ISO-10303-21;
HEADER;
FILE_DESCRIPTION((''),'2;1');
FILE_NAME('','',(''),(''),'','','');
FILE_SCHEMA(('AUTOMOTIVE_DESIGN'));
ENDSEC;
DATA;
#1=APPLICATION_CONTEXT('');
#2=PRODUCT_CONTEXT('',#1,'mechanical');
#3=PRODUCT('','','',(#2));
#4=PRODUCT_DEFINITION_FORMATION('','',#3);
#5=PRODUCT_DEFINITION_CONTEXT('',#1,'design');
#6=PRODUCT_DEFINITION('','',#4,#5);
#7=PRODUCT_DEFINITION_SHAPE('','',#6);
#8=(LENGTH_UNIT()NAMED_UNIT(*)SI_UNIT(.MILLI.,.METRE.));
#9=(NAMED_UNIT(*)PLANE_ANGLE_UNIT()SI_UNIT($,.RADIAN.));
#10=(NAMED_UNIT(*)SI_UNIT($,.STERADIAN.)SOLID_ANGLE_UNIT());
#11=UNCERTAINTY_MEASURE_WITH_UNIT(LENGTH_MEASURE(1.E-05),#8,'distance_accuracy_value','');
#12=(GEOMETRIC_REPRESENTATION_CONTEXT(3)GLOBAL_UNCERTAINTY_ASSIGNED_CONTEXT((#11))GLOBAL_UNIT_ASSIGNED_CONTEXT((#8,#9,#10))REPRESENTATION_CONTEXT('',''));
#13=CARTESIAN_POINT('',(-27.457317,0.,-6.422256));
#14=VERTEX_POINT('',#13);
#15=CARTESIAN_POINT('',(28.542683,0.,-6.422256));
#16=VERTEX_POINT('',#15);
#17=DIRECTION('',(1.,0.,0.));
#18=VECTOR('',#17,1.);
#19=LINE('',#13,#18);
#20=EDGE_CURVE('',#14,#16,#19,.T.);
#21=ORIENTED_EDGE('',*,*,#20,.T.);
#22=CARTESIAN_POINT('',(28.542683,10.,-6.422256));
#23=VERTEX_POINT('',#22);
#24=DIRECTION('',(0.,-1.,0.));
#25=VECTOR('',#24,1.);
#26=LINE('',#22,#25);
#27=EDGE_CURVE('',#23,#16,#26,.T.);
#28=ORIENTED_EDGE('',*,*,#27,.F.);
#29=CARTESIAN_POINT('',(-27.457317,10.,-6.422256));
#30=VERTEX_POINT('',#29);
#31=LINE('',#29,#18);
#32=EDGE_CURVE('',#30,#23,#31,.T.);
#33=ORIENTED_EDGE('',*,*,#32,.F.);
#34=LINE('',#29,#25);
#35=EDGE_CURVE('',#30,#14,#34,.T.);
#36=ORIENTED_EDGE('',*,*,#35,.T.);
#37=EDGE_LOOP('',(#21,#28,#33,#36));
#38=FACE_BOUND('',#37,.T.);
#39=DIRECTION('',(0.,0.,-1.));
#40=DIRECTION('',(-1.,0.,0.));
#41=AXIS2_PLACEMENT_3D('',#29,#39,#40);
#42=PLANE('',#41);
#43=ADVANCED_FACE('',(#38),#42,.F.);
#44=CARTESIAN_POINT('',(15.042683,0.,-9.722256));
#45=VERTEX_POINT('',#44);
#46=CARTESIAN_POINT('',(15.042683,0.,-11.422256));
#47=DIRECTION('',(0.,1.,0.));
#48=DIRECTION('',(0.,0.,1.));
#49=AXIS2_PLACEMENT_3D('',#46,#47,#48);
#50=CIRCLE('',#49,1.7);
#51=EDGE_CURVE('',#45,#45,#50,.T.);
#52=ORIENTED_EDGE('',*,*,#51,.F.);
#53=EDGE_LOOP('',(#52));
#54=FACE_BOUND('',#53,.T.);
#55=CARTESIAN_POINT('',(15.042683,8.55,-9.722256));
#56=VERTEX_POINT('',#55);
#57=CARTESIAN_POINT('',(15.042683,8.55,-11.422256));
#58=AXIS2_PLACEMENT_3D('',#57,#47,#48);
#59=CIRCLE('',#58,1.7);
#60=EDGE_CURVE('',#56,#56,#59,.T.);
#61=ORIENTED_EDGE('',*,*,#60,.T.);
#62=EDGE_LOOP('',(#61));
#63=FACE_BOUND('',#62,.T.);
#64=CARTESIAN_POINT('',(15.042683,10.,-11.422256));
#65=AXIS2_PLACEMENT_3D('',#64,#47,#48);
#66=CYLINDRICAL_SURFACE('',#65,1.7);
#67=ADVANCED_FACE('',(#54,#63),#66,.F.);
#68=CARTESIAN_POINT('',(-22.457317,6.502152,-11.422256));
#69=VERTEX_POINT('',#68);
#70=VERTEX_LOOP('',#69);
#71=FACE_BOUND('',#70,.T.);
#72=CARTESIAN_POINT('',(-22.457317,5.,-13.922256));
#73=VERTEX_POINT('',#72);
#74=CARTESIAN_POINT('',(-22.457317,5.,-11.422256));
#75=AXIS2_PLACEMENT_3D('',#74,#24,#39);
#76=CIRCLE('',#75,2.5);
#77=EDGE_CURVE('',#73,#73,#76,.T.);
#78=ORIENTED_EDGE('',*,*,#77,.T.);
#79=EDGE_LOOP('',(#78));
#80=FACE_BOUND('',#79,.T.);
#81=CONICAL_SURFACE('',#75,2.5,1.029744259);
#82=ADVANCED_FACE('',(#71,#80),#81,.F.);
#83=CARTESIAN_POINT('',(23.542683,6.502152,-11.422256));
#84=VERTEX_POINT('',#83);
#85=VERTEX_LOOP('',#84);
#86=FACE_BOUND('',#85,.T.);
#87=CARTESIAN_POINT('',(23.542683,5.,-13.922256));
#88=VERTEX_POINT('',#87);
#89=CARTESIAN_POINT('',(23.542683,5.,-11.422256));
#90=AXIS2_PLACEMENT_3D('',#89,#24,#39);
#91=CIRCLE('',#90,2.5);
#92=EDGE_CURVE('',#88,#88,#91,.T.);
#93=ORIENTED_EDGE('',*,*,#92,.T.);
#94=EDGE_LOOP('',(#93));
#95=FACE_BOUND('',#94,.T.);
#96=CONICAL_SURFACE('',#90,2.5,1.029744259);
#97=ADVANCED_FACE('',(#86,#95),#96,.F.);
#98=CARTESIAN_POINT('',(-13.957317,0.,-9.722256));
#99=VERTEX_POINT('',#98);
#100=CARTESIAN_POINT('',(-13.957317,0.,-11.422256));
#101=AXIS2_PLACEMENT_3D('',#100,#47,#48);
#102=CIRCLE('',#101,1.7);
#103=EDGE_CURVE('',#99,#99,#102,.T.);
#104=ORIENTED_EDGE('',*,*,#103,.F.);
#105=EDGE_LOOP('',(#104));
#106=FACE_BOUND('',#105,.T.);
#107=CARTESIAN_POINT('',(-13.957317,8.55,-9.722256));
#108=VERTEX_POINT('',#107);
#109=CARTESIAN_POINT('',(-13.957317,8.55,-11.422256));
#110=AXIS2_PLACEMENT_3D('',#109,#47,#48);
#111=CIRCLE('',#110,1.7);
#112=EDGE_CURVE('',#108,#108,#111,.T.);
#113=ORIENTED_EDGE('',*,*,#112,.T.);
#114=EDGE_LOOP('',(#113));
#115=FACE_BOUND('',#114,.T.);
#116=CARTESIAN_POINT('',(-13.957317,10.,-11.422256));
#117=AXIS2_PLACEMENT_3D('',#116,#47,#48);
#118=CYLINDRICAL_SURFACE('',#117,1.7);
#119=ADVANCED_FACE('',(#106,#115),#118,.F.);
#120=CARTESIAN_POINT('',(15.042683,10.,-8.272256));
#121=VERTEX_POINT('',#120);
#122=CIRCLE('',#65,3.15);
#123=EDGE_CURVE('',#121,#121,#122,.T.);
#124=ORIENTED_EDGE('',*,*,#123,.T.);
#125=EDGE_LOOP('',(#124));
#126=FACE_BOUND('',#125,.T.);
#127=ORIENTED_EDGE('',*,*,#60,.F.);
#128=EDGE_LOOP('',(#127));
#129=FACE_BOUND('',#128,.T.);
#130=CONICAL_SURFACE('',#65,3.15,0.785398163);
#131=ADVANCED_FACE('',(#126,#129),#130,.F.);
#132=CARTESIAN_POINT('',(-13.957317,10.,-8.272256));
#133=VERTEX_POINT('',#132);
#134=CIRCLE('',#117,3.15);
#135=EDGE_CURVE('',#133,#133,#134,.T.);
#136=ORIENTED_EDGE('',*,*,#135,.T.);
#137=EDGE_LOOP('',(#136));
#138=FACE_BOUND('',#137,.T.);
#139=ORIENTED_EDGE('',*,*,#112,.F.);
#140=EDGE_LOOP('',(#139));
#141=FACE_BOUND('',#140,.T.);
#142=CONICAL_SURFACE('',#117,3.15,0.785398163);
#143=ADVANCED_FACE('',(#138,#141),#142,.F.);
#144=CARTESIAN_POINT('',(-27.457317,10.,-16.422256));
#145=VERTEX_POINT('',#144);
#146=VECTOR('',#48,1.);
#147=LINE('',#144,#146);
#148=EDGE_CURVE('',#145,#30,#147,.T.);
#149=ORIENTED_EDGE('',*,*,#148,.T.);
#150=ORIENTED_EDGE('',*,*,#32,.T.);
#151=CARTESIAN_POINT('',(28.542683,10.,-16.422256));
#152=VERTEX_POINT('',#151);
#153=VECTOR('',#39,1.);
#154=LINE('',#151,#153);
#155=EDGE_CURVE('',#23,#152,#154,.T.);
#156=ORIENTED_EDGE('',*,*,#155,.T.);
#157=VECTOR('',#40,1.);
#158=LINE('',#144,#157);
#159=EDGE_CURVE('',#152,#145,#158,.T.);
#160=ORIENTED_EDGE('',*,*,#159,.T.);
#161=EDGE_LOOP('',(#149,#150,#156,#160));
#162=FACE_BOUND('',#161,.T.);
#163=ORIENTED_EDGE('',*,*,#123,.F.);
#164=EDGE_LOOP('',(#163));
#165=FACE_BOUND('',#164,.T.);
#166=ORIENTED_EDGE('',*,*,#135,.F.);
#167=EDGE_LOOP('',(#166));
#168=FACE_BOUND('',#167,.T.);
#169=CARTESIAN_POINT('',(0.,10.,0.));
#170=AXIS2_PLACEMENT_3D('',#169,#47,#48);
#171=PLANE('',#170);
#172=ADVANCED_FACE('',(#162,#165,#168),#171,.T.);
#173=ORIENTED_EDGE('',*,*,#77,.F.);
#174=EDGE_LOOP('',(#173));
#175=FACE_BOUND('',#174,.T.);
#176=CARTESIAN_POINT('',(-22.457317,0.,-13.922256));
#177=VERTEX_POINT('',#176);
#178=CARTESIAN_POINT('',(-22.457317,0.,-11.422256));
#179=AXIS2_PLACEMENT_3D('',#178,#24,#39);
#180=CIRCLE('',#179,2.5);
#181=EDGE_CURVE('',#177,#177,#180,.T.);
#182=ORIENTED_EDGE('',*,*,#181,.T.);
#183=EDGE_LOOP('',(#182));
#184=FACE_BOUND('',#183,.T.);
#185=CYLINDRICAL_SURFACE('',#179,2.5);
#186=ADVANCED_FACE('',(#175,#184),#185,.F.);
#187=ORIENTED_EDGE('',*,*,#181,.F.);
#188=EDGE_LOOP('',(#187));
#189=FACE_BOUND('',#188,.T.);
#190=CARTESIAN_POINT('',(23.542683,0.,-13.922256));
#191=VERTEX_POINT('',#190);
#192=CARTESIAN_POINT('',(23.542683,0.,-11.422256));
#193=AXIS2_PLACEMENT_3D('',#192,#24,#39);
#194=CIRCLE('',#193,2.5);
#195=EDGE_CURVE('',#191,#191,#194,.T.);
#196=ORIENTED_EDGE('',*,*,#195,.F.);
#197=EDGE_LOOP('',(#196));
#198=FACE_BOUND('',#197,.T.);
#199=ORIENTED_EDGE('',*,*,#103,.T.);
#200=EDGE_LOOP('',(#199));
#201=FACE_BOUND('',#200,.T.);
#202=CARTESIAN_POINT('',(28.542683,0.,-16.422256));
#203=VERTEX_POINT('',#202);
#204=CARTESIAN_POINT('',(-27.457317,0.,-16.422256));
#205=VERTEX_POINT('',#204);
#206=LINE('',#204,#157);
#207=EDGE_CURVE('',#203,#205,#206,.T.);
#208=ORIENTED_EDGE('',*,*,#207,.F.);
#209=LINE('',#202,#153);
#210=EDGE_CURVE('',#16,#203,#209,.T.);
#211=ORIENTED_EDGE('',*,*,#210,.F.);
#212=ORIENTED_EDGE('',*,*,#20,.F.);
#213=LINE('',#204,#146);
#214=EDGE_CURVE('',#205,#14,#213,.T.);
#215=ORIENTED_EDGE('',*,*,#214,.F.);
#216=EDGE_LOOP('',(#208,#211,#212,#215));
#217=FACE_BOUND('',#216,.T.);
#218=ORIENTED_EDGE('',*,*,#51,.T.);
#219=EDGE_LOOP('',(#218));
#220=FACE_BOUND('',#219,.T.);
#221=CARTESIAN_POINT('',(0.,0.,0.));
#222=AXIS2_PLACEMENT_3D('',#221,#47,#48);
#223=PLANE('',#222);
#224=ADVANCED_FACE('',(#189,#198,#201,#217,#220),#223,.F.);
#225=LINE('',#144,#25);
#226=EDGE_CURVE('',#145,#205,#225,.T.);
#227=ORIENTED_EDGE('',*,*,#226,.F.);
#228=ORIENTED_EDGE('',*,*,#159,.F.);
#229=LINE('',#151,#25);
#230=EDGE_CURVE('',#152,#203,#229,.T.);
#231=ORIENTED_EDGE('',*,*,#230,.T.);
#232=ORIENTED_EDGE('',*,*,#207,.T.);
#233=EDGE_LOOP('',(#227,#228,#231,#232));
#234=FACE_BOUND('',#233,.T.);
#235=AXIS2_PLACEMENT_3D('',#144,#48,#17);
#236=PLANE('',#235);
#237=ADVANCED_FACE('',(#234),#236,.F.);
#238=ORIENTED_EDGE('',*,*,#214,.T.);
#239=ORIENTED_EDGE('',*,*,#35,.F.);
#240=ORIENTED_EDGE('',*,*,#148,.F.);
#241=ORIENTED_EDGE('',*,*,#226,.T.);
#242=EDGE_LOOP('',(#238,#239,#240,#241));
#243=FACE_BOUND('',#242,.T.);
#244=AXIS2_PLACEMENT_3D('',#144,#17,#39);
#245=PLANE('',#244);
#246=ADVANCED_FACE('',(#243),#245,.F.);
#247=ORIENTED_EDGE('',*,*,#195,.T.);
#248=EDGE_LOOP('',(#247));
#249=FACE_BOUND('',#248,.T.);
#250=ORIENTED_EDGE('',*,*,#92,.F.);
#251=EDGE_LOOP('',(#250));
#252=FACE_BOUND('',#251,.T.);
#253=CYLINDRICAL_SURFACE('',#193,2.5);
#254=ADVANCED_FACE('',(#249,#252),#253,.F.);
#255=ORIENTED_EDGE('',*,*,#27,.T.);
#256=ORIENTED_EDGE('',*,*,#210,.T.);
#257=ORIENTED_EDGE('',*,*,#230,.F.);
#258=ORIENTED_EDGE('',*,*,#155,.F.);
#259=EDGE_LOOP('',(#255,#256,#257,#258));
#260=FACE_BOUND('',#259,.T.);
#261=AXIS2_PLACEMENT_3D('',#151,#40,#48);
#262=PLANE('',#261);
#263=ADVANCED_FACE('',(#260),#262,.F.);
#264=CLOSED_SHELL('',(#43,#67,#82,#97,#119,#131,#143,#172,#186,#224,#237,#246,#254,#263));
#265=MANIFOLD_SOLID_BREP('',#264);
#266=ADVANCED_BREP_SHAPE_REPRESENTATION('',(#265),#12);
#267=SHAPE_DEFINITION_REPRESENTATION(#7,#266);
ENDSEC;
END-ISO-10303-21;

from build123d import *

# Parameters (mm, degrees)
SKETCH1_W                                       = 56
SKETCH1_H                                       = 10
BOSS_EXTRUDE1_DEPTH                             = 10
CSK_FOR_M3_FLAT_HEAD_MACHINE_SCREW1_D           = 3.4
CSK_FOR_M3_FLAT_HEAD_MACHINE_SCREW1_CSINK_D     = 6.3
CSK_FOR_M3_FLAT_HEAD_MACHINE_SCREW1_CSINK_ANGLE = 90
F_5_0MM_DOWEL_HOLE1_D                           = 5
F_5_0MM_DOWEL_HOLE1_DEPTH                       = 5
F_5_0MM_DOWEL_HOLE1_TIP                         = 1.502151548


with BuildPart() as part:
    # Sketch1 → Boss-Extrude1 (new body)
    with BuildSketch(Plane(origin=(0, 0, 0), x_dir=(1, 0, 0), z_dir=(0, 1, 0))):
        with Locations((0.542682927, 11.422256098)):
            Rectangle(SKETCH1_W, SKETCH1_H)
    extrude(amount=BOSS_EXTRUDE1_DEPTH)

    # CSK for M3 Flat Head Machine Screw1 (through all)
    with Locations(Plane(origin=(0, 10, 0), x_dir=(1, 0, 0), z_dir=(0, 1, 0))):
        with Locations((15.042682927, 11.422256098), (-13.957317073, 11.422256098)):
            CounterSinkHole(CSK_FOR_M3_FLAT_HEAD_MACHINE_SCREW1_D / 2, CSK_FOR_M3_FLAT_HEAD_MACHINE_SCREW1_CSINK_D / 2, counter_sink_angle=CSK_FOR_M3_FLAT_HEAD_MACHINE_SCREW1_CSINK_ANGLE)

    # Ø5.0mm Dowel Hole1
    with Locations(Plane(origin=(0, 0, 0), x_dir=(-1, 0, 0), z_dir=(0, -1, 0))):
        with Locations((22.457317073, 11.422256098), (-23.542682927, 11.422256098)):
            Hole(F_5_0MM_DOWEL_HOLE1_D / 2, depth=F_5_0MM_DOWEL_HOLE1_DEPTH)
            with Locations((0, 0, -(F_5_0MM_DOWEL_HOLE1_DEPTH + F_5_0MM_DOWEL_HOLE1_TIP / 2))):  # 118° drill point
                Cone(0, F_5_0MM_DOWEL_HOLE1_D / 2, F_5_0MM_DOWEL_HOLE1_TIP, mode=Mode.SUBTRACT)


solid = part.part
